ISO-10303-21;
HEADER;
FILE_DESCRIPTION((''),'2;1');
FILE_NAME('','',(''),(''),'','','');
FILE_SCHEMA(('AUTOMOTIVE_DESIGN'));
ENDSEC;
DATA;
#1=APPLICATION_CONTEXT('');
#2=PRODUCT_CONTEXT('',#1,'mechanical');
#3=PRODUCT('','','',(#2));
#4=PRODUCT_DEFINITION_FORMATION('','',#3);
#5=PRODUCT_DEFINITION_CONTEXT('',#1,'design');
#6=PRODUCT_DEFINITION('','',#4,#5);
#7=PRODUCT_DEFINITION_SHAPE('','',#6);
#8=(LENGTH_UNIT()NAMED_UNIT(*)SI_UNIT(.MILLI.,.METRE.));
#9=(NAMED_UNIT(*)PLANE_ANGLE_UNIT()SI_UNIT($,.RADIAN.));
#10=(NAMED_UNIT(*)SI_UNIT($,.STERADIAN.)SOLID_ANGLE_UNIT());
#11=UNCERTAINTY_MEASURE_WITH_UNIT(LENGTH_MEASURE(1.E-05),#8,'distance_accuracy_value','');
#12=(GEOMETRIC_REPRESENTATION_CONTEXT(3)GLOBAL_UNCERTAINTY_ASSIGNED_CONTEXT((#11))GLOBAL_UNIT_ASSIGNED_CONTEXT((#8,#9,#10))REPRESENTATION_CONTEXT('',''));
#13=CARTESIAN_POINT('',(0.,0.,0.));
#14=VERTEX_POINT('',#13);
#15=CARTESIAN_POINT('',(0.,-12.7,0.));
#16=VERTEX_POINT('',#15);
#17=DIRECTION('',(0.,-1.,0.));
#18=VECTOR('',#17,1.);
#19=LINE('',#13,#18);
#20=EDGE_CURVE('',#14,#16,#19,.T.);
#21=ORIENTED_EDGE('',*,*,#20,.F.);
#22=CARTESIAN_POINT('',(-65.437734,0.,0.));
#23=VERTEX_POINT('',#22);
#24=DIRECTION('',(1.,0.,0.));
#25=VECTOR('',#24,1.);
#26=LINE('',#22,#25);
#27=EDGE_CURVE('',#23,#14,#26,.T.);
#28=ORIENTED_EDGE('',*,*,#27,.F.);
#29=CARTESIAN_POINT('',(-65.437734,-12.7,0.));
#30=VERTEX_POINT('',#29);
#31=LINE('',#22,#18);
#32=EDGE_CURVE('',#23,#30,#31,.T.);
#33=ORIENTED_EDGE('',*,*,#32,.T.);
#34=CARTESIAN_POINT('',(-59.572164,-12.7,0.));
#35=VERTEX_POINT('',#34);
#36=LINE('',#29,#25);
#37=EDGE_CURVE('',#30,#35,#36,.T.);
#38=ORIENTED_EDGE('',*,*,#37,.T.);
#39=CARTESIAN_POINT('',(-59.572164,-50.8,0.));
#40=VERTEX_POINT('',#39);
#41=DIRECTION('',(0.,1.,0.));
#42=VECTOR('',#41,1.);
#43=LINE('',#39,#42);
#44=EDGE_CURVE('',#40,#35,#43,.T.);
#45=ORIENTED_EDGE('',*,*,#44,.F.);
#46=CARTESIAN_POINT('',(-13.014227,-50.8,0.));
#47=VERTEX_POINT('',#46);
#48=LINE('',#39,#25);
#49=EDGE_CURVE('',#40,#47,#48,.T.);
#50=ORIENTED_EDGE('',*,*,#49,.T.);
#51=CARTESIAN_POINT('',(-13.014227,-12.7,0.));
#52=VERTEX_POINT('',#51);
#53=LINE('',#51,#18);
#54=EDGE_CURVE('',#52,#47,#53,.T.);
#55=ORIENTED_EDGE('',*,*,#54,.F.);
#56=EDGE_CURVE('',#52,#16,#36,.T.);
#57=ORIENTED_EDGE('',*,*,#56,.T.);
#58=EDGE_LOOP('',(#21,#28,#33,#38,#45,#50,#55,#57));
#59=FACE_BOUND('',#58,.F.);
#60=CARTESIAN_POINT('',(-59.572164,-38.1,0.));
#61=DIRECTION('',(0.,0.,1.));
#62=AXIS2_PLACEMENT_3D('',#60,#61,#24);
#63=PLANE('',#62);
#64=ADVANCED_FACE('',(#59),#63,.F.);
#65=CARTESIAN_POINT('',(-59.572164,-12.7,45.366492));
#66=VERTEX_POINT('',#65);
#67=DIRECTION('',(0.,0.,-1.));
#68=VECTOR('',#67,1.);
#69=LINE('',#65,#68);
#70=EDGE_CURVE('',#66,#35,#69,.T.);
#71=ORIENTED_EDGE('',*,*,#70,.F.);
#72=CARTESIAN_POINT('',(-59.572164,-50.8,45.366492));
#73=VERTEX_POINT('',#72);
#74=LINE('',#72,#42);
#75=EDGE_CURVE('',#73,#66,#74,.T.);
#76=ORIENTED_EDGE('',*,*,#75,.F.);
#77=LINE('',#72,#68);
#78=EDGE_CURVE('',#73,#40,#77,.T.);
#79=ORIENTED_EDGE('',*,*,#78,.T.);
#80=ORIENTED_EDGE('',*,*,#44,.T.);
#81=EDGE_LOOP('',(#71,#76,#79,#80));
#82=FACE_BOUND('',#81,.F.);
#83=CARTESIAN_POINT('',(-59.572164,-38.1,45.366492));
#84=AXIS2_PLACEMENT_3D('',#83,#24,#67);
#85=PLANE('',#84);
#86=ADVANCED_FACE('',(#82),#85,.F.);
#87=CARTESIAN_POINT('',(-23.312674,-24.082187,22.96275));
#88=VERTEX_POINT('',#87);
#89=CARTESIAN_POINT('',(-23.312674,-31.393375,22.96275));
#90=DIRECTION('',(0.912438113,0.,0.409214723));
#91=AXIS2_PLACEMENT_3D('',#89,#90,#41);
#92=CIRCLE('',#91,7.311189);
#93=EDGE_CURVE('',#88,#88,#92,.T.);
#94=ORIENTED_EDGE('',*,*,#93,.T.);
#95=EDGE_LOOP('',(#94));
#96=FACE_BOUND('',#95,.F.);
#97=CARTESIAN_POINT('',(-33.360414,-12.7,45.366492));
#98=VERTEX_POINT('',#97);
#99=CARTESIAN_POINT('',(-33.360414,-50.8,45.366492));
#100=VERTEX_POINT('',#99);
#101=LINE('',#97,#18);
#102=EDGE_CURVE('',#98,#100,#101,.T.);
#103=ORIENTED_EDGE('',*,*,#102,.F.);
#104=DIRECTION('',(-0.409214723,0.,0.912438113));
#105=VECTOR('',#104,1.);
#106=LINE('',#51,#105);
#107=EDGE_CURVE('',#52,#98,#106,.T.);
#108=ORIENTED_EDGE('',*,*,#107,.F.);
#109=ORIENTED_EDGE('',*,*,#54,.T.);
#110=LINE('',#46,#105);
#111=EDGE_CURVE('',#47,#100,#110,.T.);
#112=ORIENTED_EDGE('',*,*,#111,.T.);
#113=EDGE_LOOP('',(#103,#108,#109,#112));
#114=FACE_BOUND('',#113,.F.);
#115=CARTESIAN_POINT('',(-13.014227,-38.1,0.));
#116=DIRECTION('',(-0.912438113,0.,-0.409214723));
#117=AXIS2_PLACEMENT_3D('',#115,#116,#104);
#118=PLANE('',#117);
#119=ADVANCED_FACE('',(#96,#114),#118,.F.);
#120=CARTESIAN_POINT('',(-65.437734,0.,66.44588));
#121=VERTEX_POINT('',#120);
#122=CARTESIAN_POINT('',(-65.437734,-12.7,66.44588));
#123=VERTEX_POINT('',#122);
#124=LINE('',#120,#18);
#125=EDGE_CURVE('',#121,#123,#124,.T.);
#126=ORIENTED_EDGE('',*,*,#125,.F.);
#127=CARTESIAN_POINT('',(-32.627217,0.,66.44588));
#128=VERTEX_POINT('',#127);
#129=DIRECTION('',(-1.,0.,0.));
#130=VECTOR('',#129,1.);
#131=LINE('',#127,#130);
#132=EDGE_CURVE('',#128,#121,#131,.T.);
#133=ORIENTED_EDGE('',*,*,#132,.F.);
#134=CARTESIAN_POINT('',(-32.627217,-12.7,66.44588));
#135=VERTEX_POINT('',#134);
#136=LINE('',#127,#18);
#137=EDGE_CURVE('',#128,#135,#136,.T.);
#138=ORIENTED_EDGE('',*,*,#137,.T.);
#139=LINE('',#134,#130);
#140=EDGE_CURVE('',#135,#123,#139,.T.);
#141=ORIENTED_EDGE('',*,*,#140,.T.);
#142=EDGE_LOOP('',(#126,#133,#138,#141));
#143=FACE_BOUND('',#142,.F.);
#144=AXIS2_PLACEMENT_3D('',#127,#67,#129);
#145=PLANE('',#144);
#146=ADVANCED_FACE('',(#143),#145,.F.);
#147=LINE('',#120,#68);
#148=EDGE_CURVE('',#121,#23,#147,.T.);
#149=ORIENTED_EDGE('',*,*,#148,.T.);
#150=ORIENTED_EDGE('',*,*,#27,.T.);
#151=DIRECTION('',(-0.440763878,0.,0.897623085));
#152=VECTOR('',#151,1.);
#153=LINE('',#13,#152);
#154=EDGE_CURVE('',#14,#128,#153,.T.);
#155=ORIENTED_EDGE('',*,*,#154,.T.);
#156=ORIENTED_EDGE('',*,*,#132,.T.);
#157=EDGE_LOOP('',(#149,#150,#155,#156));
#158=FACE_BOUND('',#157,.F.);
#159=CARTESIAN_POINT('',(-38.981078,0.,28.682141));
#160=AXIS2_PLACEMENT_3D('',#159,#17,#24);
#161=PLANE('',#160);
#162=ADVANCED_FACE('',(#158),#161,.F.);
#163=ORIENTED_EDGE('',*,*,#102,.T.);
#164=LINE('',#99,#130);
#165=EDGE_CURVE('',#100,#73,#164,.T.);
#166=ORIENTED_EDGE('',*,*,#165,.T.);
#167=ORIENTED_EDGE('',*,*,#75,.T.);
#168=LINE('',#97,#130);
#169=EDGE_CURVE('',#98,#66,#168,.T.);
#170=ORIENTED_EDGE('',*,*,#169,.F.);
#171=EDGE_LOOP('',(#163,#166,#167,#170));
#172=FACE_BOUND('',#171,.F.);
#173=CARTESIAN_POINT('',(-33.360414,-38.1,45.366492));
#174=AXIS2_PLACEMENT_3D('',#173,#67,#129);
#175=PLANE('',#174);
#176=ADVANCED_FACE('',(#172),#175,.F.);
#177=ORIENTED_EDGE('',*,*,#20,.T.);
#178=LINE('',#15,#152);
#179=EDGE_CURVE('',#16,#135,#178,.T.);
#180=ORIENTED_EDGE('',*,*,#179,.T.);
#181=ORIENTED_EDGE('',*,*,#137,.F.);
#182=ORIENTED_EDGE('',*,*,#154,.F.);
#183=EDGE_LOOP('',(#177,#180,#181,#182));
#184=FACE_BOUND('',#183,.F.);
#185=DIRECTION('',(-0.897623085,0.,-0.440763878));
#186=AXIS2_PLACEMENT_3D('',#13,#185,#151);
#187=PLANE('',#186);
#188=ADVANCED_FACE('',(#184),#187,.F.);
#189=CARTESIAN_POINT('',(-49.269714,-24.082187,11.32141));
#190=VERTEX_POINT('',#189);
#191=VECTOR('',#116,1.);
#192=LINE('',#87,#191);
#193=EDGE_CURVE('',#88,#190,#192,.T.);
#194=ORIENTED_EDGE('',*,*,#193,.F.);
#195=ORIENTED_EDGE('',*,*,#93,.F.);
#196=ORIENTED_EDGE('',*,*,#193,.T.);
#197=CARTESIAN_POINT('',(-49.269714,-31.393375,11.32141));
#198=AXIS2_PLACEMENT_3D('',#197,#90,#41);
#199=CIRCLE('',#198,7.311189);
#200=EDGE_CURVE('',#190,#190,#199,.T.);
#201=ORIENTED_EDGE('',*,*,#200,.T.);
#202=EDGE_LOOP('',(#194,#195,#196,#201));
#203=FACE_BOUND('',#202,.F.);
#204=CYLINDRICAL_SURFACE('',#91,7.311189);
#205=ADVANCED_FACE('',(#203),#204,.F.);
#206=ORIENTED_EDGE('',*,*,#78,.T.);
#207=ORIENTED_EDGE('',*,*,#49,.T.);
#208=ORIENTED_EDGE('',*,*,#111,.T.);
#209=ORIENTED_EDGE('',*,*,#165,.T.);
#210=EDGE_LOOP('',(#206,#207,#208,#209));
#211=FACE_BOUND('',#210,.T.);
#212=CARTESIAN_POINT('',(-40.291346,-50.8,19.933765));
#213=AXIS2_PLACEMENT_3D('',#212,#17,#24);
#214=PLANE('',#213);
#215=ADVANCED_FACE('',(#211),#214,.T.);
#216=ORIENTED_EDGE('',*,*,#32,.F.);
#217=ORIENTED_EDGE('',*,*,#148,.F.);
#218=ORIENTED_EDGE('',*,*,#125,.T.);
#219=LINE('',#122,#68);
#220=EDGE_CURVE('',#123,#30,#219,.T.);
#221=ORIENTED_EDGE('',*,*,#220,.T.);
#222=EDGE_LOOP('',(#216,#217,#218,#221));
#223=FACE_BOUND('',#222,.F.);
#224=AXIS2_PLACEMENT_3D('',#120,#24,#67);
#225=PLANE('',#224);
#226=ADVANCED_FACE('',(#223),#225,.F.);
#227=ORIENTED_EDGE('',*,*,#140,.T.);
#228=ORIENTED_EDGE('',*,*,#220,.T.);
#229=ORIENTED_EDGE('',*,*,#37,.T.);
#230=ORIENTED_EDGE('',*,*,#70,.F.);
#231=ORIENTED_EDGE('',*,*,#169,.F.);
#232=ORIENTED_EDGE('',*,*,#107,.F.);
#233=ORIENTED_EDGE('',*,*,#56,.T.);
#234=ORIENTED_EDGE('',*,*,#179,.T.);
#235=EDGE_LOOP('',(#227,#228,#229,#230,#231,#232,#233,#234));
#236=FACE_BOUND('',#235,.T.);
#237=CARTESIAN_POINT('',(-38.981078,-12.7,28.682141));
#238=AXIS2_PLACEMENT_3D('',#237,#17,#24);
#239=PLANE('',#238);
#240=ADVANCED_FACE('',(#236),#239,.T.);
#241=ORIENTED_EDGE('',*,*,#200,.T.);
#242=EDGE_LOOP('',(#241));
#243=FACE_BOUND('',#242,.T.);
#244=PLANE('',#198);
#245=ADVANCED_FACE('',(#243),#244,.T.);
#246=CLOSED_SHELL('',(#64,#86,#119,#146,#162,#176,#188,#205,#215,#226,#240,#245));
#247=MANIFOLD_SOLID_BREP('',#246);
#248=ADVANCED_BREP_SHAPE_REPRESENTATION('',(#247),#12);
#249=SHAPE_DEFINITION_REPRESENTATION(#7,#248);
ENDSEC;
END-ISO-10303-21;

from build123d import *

# Parameters (mm, degrees)
F1_DEPTH = 12.7
F3_DEPTH = 25.4
F4_DEPTH = 12.7
F5_R     = 7.3111886468
F6_DEPTH = 28.448


with BuildPart() as f1:
    # F0 (on Front) → F1 (new body)
    with BuildSketch(Plane.XZ):
        Polygon((-65.437734127, 0), (0, 0), (-32.6272174716, 66.4458796382), (-65.437734127, 66.4458796382), align=None)
    extrude(amount=F1_DEPTH)

    # F2 (on face) → F3 (join)
    with BuildSketch(Plane.XZ.offset(12.7)):
        Polygon((-59.5721639693, 0), (-13.0142271519, 0), (-33.360414207, 45.3664921224), (-59.5721639693, 45.3664921224), align=None)
    extrude(amount=F3_DEPTH)

    # F4 (add): a face of the model
    f4_faces = [f1.faces().sort_by_distance(p)[0] for p in [
        (-40.9056812293, -38.1, 20.569190108),
    ]]
    extrude(f4_faces, amount=F4_DEPTH)

    # F5 (on face) → F6 (cut)
    with BuildSketch(Plane(origin=(-10.8349077523, 0, -4.8592926087), x_dir=(0, 1, 0), z_dir=(0.9124381131, 0, 0.4092147234))):
        with Locations((-31.3933752477, 30.4919779301)):
            Circle(F5_R)
    extrude(amount=-F6_DEPTH, mode=Mode.SUBTRACT)


solid = f1.part
